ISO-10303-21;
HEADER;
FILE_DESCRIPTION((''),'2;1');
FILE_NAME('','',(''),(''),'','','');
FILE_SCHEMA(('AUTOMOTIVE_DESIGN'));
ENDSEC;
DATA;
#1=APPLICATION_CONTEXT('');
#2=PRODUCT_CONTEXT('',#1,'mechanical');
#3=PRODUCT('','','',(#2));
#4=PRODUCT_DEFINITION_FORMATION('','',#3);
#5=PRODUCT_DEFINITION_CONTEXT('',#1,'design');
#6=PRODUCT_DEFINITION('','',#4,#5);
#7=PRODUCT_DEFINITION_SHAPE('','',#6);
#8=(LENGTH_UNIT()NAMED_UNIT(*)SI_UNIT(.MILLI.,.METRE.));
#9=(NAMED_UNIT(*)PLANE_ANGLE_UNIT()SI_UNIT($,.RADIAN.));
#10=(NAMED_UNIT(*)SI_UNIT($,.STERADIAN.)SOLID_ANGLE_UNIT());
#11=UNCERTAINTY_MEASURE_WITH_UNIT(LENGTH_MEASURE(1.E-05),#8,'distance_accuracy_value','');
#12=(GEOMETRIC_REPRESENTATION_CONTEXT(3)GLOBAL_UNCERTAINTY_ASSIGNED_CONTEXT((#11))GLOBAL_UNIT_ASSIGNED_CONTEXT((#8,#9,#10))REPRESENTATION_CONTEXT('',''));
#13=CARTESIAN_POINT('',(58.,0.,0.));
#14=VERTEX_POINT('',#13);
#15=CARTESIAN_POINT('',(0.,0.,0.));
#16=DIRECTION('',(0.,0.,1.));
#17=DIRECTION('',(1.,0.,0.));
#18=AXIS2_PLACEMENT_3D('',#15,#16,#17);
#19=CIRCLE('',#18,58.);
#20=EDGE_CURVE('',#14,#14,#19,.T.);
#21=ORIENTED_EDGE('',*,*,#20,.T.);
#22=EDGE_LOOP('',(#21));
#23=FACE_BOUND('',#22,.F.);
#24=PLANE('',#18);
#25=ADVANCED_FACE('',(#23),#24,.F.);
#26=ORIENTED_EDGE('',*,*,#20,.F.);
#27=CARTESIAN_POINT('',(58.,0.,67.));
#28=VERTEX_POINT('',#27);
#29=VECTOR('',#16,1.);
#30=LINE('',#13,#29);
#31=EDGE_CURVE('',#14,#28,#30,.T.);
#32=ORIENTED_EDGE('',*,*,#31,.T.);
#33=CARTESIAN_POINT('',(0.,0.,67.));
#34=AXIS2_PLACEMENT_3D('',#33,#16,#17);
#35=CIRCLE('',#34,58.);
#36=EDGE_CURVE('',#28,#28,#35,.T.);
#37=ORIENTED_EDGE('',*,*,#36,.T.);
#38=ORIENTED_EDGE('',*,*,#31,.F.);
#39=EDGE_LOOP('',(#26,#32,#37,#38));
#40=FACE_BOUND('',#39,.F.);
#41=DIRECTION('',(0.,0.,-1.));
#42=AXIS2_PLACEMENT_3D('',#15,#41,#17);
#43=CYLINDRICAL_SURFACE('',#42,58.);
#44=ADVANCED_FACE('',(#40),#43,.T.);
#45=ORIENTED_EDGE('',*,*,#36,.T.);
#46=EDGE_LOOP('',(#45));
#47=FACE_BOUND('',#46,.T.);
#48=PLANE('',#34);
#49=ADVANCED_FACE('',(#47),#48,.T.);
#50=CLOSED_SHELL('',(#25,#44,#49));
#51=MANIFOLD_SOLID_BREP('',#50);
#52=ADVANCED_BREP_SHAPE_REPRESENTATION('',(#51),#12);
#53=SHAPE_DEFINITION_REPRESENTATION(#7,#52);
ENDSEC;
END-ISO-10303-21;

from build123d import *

# Parameters (mm, degrees)
CYLINDER_R     = 58
CYLINDER_DEPTH = 67


with BuildPart() as part:
    # Cylinder → Cylinder (join)
    with BuildSketch(Plane.XY):
        Circle(CYLINDER_R)
    extrude(amount=CYLINDER_DEPTH)


solid = part.part
